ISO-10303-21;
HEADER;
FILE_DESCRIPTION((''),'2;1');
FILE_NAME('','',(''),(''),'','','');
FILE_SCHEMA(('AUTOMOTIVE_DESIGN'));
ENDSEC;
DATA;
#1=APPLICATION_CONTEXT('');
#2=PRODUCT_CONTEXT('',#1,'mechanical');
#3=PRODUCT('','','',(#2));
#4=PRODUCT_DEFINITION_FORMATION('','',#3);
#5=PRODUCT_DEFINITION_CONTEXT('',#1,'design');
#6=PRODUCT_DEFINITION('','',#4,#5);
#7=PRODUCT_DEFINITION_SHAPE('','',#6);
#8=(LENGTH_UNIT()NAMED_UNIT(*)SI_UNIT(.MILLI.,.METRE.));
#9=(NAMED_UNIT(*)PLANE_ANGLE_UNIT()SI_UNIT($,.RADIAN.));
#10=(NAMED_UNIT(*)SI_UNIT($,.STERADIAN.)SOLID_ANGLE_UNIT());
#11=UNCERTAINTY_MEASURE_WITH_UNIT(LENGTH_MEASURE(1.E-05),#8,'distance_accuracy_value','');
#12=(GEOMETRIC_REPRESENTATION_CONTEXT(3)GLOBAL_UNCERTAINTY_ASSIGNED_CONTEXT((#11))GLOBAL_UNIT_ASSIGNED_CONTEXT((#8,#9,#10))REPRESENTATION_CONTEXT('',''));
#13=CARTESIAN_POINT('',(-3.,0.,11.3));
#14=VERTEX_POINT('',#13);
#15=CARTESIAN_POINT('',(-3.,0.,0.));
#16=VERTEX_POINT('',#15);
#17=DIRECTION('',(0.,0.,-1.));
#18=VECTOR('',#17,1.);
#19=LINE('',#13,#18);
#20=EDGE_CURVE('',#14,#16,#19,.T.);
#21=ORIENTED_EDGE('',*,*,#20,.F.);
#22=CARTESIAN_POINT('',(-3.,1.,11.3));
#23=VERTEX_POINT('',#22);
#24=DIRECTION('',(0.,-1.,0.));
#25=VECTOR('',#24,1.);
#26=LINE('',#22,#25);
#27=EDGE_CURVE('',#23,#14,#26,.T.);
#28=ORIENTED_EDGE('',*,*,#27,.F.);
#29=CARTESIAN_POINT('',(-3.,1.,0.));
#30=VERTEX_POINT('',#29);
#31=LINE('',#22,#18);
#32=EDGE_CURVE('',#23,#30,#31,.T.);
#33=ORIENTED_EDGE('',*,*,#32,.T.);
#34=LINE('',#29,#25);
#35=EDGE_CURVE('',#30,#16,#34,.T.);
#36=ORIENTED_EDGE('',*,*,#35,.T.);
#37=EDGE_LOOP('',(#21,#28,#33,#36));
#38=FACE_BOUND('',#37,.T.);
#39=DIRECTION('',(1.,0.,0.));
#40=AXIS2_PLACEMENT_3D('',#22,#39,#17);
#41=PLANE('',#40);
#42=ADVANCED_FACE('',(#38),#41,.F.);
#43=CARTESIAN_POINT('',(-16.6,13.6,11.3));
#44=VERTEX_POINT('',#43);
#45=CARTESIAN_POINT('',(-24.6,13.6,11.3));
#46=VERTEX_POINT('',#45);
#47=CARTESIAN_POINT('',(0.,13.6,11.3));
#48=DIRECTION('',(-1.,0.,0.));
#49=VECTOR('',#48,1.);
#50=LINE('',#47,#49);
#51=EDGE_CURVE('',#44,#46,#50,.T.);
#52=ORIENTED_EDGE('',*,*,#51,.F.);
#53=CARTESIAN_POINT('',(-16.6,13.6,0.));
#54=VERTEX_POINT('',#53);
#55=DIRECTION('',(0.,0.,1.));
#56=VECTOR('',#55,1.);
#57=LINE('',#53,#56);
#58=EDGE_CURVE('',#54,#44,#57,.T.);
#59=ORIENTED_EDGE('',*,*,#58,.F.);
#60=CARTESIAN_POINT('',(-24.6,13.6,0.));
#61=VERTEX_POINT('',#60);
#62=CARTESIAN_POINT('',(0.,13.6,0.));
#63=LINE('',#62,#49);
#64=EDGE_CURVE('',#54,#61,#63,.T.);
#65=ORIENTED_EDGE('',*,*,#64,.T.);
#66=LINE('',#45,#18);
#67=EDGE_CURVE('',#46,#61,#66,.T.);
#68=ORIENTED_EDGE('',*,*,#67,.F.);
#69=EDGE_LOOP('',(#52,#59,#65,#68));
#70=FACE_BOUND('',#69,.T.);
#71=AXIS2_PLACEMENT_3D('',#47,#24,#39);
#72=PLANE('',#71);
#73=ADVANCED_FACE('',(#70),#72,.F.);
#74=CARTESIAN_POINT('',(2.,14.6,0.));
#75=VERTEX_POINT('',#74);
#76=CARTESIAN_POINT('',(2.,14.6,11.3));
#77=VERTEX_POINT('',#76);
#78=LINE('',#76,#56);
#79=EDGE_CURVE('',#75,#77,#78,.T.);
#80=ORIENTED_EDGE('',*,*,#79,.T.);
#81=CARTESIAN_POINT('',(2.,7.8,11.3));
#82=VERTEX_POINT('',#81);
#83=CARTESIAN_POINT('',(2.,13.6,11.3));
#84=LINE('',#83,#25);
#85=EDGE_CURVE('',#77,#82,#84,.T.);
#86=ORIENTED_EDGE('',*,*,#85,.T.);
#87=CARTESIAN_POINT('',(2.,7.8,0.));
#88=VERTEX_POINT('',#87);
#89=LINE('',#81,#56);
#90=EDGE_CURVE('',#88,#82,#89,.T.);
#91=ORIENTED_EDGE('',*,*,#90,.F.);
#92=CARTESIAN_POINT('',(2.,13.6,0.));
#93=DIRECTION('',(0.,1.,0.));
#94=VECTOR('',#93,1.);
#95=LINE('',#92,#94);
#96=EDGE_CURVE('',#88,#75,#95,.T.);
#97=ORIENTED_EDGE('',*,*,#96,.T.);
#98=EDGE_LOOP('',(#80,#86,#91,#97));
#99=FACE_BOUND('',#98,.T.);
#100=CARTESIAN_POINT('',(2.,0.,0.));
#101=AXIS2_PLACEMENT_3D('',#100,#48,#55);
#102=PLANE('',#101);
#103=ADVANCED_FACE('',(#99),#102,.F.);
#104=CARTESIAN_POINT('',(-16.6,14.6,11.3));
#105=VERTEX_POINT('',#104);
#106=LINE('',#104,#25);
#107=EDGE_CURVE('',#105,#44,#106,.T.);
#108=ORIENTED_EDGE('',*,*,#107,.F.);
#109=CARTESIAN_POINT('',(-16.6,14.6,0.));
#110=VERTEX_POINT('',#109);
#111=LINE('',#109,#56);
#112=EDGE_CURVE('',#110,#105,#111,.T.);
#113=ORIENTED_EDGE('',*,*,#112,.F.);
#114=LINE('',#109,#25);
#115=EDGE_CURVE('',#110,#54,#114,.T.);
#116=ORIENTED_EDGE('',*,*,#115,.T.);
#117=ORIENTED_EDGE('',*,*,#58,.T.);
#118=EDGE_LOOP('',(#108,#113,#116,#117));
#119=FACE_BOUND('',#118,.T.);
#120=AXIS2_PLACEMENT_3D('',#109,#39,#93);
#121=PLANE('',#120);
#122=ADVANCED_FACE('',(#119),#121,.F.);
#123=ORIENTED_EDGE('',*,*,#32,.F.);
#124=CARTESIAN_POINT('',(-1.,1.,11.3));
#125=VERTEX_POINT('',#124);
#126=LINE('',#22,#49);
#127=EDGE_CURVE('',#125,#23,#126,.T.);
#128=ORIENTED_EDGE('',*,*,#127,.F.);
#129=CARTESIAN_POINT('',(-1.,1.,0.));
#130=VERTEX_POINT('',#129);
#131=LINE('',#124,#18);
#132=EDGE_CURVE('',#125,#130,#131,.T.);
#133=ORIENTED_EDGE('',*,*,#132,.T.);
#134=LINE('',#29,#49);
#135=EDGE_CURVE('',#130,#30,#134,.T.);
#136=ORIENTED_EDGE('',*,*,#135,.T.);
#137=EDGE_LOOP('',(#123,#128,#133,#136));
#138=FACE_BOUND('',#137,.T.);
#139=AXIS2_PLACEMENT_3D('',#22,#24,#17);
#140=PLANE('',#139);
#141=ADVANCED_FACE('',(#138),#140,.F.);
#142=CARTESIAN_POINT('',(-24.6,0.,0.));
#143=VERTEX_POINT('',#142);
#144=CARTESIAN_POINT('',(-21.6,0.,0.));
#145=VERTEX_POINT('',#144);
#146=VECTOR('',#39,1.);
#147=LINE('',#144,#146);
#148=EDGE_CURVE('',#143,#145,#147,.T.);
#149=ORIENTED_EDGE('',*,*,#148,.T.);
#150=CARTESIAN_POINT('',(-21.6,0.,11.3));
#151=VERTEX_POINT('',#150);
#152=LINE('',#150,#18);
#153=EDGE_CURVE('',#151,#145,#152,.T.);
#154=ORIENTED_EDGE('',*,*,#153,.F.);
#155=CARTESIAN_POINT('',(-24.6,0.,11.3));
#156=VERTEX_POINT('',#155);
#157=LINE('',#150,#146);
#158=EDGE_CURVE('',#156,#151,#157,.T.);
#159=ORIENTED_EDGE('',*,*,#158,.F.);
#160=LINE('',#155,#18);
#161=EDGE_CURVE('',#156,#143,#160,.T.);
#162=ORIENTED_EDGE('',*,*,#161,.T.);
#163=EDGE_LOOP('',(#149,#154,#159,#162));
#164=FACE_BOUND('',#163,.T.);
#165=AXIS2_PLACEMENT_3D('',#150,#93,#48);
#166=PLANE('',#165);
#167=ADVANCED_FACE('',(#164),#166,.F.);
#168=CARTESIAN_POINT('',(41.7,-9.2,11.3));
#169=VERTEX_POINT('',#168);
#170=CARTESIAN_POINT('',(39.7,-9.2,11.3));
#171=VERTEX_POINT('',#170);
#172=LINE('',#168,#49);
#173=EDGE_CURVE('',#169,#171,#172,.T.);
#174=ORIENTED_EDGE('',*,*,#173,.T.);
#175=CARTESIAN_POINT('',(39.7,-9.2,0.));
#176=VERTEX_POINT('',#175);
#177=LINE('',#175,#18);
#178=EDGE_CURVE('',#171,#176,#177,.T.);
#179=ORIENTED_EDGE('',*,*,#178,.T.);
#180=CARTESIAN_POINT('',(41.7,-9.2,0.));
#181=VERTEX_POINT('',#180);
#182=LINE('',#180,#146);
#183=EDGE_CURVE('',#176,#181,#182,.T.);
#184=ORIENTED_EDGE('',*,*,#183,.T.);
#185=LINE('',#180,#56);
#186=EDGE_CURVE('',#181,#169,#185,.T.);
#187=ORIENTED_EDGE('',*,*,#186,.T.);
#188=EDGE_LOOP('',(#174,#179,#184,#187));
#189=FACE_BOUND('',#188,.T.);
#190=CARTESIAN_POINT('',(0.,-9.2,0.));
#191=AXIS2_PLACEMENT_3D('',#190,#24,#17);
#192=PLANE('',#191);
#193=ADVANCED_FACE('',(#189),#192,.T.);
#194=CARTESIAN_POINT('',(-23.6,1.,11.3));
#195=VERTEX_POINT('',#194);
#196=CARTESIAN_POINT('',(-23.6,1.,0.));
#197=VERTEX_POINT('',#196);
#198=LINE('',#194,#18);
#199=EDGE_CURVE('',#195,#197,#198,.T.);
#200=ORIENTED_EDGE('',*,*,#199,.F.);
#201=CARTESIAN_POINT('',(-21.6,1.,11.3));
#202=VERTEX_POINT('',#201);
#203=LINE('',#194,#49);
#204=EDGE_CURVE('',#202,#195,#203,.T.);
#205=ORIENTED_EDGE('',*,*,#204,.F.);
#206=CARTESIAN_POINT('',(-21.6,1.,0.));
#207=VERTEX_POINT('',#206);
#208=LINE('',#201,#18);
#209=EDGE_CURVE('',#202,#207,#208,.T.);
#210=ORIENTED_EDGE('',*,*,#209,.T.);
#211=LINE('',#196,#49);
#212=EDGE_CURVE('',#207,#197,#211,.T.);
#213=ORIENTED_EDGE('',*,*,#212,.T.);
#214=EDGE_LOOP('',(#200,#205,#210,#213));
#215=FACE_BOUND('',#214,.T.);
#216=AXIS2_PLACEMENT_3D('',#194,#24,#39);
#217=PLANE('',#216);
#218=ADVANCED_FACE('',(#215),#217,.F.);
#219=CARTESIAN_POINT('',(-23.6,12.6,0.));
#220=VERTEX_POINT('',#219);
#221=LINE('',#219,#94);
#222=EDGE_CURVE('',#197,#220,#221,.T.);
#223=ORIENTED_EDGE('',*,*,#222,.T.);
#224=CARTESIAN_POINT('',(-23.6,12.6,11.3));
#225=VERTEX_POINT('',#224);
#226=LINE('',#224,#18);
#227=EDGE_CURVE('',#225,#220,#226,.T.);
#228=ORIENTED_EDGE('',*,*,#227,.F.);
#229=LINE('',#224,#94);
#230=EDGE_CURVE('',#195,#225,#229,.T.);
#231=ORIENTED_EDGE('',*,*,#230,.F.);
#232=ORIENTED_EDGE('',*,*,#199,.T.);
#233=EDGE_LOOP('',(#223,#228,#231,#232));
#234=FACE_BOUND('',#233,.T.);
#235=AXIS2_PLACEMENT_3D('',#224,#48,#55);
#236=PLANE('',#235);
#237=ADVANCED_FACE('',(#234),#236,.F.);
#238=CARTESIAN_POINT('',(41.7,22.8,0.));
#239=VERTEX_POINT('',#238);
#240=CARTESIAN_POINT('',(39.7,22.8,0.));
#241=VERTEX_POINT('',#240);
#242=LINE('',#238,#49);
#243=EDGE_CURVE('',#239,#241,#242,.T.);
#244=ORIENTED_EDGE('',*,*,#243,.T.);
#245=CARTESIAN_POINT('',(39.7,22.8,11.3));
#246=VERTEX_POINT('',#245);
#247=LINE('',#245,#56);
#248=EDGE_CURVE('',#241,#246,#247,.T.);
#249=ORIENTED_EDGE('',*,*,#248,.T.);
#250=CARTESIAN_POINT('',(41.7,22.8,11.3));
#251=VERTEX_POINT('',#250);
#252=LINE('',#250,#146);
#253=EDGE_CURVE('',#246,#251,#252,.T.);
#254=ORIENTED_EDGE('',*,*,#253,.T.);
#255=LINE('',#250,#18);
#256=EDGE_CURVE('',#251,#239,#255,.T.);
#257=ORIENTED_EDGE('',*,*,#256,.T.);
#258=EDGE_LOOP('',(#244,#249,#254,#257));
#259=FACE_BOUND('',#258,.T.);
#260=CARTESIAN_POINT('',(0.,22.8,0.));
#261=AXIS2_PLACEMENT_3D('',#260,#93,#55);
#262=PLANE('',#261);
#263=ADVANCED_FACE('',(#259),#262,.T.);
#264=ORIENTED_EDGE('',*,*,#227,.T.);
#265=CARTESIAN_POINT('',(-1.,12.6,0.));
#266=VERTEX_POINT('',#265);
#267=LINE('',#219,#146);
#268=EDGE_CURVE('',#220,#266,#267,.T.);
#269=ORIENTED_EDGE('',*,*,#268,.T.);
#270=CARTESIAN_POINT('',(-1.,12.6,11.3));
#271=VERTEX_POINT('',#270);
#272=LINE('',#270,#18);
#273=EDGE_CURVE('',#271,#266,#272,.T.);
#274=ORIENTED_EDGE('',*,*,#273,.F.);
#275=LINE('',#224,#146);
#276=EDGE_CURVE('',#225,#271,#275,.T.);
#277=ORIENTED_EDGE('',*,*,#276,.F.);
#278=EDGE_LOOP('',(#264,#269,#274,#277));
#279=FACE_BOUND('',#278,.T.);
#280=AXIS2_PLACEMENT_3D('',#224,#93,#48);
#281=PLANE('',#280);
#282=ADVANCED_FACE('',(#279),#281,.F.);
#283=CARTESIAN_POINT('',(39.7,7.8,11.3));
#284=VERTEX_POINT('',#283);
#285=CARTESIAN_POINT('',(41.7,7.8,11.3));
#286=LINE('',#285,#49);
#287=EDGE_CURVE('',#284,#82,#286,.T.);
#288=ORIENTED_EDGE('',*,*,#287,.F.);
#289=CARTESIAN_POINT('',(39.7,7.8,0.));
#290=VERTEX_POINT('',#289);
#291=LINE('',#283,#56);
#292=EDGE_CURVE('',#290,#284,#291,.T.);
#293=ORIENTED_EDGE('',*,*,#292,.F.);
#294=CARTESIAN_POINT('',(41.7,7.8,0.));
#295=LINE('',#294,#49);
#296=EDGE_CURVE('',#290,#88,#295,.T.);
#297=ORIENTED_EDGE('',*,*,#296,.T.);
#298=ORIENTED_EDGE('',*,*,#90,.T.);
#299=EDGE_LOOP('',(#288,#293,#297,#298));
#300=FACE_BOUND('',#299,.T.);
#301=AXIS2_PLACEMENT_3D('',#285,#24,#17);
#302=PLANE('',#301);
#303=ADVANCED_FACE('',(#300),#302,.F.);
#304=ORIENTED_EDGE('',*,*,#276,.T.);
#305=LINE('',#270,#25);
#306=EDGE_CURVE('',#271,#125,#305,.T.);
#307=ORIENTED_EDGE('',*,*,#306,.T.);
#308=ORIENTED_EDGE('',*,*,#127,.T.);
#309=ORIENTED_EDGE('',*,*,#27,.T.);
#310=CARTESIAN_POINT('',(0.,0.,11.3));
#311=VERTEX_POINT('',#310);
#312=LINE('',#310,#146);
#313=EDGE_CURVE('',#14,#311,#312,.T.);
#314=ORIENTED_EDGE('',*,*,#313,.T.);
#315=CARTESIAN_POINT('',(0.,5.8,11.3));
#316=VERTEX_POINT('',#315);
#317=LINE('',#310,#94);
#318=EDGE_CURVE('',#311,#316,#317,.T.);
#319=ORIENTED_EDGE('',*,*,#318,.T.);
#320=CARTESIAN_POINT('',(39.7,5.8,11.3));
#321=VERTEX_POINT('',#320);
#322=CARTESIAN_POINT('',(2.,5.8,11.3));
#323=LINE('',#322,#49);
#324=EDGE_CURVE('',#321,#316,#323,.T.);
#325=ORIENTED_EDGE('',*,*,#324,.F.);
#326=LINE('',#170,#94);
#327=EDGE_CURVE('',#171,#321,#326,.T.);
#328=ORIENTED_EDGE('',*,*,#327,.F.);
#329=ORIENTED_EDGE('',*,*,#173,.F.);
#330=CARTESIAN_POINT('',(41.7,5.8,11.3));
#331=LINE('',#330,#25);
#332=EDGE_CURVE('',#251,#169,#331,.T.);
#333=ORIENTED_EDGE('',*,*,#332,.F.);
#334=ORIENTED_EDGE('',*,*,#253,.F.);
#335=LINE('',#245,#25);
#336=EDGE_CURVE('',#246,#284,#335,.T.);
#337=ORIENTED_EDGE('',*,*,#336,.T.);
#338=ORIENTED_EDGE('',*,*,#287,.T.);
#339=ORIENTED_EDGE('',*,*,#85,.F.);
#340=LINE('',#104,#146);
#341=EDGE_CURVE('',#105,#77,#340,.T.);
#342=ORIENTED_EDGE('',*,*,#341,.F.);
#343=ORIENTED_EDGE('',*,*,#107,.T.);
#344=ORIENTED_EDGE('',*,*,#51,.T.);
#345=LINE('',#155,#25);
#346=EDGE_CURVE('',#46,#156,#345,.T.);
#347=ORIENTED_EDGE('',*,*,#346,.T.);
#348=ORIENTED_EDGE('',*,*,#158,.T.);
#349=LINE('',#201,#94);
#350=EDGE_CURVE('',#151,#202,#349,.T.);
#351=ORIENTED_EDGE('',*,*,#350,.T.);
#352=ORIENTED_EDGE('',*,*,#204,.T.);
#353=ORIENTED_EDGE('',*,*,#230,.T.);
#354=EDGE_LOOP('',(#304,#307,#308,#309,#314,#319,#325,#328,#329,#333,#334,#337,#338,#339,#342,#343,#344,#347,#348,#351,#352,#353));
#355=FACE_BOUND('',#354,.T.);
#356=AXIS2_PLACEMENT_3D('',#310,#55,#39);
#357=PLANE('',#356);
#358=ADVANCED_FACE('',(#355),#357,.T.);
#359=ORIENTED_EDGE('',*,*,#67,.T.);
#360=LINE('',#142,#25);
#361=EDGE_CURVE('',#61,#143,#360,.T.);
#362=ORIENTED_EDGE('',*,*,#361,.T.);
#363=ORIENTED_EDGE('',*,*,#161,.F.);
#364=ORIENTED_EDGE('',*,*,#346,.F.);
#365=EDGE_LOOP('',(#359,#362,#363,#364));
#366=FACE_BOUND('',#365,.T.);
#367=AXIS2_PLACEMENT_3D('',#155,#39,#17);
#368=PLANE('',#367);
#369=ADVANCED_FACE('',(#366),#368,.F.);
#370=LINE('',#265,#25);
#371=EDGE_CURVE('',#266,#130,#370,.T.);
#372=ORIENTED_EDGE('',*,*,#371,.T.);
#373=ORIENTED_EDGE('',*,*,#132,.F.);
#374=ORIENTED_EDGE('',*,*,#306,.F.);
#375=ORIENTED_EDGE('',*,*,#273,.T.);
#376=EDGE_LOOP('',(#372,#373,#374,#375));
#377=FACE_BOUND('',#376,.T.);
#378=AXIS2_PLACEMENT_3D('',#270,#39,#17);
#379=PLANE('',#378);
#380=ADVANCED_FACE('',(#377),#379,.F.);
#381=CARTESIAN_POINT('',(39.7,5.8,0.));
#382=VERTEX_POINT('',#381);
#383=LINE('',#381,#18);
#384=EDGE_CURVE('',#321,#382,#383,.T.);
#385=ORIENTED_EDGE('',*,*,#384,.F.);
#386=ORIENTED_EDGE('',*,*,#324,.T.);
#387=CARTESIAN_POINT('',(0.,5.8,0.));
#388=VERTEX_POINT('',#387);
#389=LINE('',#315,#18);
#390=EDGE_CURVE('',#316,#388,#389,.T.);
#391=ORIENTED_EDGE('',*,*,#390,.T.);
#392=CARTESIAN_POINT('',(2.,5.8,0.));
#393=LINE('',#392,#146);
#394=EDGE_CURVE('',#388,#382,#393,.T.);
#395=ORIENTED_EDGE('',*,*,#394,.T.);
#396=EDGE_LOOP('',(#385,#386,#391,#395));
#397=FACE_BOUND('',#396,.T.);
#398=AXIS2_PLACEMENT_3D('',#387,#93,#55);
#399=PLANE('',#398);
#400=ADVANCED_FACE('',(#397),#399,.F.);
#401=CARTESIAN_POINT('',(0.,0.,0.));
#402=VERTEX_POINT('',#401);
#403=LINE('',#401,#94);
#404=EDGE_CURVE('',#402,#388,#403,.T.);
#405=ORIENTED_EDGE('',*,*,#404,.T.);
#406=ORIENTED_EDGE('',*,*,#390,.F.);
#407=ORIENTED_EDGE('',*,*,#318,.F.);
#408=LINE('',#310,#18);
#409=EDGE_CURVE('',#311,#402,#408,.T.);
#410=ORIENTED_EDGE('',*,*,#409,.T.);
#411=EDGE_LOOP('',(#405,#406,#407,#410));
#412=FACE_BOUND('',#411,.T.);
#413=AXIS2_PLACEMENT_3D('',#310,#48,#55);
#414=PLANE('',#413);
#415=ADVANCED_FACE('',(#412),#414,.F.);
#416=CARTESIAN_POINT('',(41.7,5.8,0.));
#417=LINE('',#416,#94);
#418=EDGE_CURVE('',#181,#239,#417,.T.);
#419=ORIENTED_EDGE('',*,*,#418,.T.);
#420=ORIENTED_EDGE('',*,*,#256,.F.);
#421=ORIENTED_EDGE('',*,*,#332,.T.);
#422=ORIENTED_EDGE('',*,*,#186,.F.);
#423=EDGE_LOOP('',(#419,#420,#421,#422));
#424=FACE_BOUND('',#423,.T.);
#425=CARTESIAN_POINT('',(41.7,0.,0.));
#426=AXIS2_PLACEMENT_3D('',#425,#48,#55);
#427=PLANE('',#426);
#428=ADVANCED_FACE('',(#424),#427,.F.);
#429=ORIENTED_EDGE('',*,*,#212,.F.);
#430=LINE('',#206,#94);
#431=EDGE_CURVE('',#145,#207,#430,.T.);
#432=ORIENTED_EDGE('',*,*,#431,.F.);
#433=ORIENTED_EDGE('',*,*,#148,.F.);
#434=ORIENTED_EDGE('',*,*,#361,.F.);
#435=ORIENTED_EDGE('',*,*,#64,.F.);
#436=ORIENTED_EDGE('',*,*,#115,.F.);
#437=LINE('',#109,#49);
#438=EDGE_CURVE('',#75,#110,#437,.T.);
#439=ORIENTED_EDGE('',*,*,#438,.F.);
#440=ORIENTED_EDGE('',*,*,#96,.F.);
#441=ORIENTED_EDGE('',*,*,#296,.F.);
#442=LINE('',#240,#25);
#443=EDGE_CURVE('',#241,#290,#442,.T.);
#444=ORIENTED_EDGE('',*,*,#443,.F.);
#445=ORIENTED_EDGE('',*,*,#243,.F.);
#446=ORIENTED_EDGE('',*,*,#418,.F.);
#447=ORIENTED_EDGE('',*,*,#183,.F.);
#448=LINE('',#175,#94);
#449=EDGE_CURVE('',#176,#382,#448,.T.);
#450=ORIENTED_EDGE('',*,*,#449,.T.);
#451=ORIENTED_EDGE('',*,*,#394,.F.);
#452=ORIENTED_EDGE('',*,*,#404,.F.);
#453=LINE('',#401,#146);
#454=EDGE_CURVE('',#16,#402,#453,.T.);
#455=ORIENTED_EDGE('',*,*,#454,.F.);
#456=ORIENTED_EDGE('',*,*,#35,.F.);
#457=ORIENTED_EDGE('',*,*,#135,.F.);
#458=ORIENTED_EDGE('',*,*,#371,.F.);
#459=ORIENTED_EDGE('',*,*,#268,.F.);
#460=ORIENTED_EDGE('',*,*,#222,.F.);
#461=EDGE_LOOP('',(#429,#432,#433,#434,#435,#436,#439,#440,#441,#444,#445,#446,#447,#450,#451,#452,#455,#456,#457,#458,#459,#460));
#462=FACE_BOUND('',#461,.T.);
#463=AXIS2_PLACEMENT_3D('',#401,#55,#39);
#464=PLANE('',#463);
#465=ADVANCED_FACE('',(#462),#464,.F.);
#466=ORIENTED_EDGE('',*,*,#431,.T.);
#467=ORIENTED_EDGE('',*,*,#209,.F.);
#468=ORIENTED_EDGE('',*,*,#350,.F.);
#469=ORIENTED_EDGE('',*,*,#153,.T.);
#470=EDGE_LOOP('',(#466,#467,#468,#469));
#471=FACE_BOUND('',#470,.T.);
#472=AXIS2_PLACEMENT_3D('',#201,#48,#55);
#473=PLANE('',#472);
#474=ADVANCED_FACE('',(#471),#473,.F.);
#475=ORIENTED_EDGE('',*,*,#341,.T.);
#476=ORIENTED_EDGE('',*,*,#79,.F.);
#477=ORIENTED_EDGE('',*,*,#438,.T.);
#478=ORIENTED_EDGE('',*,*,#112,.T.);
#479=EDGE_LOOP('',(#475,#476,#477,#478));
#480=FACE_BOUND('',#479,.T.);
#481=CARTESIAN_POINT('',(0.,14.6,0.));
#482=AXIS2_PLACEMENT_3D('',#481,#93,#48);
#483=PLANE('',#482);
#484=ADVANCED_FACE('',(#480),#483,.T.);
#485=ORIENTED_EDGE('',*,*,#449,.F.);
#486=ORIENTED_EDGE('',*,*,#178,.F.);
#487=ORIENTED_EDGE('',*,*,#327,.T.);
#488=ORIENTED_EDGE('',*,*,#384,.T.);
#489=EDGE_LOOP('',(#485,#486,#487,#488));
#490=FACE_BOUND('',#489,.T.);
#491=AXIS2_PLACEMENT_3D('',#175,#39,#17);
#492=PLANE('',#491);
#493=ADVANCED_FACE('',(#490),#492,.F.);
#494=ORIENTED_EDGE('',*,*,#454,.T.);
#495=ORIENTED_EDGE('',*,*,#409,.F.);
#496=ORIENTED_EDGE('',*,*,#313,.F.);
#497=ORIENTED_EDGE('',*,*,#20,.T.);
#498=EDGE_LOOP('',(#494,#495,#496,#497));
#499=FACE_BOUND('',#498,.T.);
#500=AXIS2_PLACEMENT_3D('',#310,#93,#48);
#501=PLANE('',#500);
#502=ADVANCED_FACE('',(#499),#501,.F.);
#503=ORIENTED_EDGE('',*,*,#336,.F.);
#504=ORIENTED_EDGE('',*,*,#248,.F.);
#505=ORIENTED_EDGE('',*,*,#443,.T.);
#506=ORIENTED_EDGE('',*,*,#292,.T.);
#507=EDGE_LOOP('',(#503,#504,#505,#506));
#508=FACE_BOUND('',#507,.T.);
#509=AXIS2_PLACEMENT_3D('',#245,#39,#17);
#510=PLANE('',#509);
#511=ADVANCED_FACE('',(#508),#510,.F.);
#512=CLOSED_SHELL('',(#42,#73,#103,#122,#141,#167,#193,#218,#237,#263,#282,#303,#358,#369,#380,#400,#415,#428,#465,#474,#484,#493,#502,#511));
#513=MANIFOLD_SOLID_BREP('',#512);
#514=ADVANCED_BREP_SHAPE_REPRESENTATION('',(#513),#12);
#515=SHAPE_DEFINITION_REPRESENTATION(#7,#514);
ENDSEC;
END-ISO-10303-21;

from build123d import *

# Parameters (mm, degrees)
BOSS_EXTRU_1_DEPTH = 11.3
ESQUISSE2_W        = 8.6
ESQUISSE2_H        = 11.3
BOSS_EXTRU_2_DEPTH = 1
ESQUISSE8_W        = 11.3
ESQUISSE8_H        = 1
BOSS_EXTRU_5_DEPTH = 10
ESQUISSE9_W        = 2
ESQUISSE9_H        = 11.3
BOSS_EXTRU_6_DEPTH = 7.8
ESQUISSE10_W       = 11.3
ESQUISSE10_H       = 2
BOSS_EXTRU_7_DEPTH = 39.7
ESQUISSE11_W       = 2
ESQUISSE11_H       = 11.3
BOSS_EXTRU_8_DEPTH = 15
ESQUISSE12_W       = 2
ESQUISSE12_H       = 11.3
BOSS_EXTRU_9_DEPTH = 15


with BuildPart() as part:
    # Esquisse1 → Boss.-Extru.1 (new body)
    with BuildSketch(Plane.XY):
        Polygon((-21.6, 1), (-21.6, 0), (-24.6, 0), (-24.6, 13.6), (0, 13.6), (0, 0), (-3, 0), (-3, 1), (-1, 1), (-1, 12.6), (-23.6, 12.6), (-23.6, 1), align=None)
    extrude(amount=BOSS_EXTRU_1_DEPTH)

    # Esquisse2 → Boss.-Extru.2 (add)
    with BuildSketch(Plane(origin=(0, 13.6, 0), x_dir=(1, 0, 0), z_dir=(0, 1, 0))):
        with Locations((-12.3, -5.65)):
            Rectangle(ESQUISSE2_W, ESQUISSE2_H)
    extrude(amount=BOSS_EXTRU_2_DEPTH)

    # Esquisse8 → Boss.-Extru.5 (add)
    with BuildSketch(Plane(origin=(-8, 0, 0), x_dir=(0, 0, -1), z_dir=(1, 0, 0))):
        with Locations((-5.65, 14.1)):
            Rectangle(ESQUISSE8_W, ESQUISSE8_H)
    extrude(amount=BOSS_EXTRU_5_DEPTH)

    # Esquisse9 → Boss.-Extru.6 (add)
    with BuildSketch(Plane.XZ.offset(-13.6)):
        with Locations((1, 5.65)):
            Rectangle(ESQUISSE9_W, ESQUISSE9_H)
    extrude(amount=BOSS_EXTRU_6_DEPTH)

    # Esquisse10 → Boss.-Extru.7 (add)
    with BuildSketch(Plane(origin=(2, 0, 0), x_dir=(0, 0, -1), z_dir=(1, 0, 0))):
        with Locations((-5.65, 6.8)):
            Rectangle(ESQUISSE10_W, ESQUISSE10_H)
    extrude(amount=BOSS_EXTRU_7_DEPTH)

    # Esquisse11 → Boss.-Extru.8 (add)
    with BuildSketch(Plane.XZ.offset(-5.8)):
        with Locations((40.7, 5.65)):
            Rectangle(ESQUISSE11_W, ESQUISSE11_H)
    extrude(amount=BOSS_EXTRU_8_DEPTH)

    # Esquisse12 → Boss.-Extru.9 (add)
    with BuildSketch(Plane(origin=(0, 7.8, 0), x_dir=(1, 0, 0), z_dir=(0, 1, 0))):
        with Locations((40.7, -5.65)):
            Rectangle(ESQUISSE12_W, ESQUISSE12_H)
    extrude(amount=BOSS_EXTRU_9_DEPTH)


solid = part.part
